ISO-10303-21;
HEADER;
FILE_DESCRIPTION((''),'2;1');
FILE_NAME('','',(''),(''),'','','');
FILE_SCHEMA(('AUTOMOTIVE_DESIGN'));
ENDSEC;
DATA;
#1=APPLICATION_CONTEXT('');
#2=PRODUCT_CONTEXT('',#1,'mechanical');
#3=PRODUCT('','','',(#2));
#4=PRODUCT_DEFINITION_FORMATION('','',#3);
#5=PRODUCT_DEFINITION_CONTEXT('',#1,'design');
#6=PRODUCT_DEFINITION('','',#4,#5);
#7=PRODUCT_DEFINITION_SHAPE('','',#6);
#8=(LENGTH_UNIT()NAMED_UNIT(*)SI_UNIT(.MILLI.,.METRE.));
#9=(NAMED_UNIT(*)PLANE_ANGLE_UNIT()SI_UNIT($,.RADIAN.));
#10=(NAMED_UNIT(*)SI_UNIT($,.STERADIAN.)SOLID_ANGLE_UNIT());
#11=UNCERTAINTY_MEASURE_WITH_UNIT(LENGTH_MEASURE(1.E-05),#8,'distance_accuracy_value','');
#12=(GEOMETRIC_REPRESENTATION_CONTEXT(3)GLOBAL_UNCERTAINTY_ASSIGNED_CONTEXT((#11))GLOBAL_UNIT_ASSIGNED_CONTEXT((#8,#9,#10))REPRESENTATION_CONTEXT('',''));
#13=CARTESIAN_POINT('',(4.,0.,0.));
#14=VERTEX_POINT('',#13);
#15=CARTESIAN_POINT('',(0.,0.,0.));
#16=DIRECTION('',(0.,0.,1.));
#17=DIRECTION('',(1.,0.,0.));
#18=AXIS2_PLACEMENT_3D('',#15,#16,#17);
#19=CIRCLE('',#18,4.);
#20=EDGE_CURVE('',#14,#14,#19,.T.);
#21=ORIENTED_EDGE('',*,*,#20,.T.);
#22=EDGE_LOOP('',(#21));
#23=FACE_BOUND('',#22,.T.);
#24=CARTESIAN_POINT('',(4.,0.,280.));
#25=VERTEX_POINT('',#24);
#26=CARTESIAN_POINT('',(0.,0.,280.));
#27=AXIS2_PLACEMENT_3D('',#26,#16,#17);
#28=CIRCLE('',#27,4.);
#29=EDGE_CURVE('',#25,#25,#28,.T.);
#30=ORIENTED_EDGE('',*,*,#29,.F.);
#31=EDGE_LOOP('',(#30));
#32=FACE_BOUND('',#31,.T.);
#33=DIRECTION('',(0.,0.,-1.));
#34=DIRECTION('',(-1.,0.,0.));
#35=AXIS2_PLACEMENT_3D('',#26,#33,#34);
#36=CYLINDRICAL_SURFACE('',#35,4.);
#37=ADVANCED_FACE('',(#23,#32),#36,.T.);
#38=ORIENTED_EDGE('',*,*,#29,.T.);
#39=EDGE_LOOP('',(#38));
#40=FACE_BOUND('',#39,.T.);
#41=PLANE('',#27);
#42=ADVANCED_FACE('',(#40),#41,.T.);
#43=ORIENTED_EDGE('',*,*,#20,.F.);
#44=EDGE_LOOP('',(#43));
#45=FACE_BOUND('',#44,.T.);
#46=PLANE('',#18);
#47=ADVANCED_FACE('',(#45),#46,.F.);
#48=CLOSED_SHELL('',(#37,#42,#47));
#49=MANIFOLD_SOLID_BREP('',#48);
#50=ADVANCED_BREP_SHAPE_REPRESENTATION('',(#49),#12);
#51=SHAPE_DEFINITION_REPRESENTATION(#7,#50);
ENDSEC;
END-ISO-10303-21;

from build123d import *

# Parameters (mm, degrees)
ESBO_O1_R                = 4
RESSALTO_EXTRUS_O1_DEPTH = 280


with BuildPart() as part:
    # Esboço1 → Ressalto-extrusão1 (new body)
    with BuildSketch(Plane.XY):
        Circle(ESBO_O1_R)
    extrude(amount=RESSALTO_EXTRUS_O1_DEPTH)


solid = part.part
